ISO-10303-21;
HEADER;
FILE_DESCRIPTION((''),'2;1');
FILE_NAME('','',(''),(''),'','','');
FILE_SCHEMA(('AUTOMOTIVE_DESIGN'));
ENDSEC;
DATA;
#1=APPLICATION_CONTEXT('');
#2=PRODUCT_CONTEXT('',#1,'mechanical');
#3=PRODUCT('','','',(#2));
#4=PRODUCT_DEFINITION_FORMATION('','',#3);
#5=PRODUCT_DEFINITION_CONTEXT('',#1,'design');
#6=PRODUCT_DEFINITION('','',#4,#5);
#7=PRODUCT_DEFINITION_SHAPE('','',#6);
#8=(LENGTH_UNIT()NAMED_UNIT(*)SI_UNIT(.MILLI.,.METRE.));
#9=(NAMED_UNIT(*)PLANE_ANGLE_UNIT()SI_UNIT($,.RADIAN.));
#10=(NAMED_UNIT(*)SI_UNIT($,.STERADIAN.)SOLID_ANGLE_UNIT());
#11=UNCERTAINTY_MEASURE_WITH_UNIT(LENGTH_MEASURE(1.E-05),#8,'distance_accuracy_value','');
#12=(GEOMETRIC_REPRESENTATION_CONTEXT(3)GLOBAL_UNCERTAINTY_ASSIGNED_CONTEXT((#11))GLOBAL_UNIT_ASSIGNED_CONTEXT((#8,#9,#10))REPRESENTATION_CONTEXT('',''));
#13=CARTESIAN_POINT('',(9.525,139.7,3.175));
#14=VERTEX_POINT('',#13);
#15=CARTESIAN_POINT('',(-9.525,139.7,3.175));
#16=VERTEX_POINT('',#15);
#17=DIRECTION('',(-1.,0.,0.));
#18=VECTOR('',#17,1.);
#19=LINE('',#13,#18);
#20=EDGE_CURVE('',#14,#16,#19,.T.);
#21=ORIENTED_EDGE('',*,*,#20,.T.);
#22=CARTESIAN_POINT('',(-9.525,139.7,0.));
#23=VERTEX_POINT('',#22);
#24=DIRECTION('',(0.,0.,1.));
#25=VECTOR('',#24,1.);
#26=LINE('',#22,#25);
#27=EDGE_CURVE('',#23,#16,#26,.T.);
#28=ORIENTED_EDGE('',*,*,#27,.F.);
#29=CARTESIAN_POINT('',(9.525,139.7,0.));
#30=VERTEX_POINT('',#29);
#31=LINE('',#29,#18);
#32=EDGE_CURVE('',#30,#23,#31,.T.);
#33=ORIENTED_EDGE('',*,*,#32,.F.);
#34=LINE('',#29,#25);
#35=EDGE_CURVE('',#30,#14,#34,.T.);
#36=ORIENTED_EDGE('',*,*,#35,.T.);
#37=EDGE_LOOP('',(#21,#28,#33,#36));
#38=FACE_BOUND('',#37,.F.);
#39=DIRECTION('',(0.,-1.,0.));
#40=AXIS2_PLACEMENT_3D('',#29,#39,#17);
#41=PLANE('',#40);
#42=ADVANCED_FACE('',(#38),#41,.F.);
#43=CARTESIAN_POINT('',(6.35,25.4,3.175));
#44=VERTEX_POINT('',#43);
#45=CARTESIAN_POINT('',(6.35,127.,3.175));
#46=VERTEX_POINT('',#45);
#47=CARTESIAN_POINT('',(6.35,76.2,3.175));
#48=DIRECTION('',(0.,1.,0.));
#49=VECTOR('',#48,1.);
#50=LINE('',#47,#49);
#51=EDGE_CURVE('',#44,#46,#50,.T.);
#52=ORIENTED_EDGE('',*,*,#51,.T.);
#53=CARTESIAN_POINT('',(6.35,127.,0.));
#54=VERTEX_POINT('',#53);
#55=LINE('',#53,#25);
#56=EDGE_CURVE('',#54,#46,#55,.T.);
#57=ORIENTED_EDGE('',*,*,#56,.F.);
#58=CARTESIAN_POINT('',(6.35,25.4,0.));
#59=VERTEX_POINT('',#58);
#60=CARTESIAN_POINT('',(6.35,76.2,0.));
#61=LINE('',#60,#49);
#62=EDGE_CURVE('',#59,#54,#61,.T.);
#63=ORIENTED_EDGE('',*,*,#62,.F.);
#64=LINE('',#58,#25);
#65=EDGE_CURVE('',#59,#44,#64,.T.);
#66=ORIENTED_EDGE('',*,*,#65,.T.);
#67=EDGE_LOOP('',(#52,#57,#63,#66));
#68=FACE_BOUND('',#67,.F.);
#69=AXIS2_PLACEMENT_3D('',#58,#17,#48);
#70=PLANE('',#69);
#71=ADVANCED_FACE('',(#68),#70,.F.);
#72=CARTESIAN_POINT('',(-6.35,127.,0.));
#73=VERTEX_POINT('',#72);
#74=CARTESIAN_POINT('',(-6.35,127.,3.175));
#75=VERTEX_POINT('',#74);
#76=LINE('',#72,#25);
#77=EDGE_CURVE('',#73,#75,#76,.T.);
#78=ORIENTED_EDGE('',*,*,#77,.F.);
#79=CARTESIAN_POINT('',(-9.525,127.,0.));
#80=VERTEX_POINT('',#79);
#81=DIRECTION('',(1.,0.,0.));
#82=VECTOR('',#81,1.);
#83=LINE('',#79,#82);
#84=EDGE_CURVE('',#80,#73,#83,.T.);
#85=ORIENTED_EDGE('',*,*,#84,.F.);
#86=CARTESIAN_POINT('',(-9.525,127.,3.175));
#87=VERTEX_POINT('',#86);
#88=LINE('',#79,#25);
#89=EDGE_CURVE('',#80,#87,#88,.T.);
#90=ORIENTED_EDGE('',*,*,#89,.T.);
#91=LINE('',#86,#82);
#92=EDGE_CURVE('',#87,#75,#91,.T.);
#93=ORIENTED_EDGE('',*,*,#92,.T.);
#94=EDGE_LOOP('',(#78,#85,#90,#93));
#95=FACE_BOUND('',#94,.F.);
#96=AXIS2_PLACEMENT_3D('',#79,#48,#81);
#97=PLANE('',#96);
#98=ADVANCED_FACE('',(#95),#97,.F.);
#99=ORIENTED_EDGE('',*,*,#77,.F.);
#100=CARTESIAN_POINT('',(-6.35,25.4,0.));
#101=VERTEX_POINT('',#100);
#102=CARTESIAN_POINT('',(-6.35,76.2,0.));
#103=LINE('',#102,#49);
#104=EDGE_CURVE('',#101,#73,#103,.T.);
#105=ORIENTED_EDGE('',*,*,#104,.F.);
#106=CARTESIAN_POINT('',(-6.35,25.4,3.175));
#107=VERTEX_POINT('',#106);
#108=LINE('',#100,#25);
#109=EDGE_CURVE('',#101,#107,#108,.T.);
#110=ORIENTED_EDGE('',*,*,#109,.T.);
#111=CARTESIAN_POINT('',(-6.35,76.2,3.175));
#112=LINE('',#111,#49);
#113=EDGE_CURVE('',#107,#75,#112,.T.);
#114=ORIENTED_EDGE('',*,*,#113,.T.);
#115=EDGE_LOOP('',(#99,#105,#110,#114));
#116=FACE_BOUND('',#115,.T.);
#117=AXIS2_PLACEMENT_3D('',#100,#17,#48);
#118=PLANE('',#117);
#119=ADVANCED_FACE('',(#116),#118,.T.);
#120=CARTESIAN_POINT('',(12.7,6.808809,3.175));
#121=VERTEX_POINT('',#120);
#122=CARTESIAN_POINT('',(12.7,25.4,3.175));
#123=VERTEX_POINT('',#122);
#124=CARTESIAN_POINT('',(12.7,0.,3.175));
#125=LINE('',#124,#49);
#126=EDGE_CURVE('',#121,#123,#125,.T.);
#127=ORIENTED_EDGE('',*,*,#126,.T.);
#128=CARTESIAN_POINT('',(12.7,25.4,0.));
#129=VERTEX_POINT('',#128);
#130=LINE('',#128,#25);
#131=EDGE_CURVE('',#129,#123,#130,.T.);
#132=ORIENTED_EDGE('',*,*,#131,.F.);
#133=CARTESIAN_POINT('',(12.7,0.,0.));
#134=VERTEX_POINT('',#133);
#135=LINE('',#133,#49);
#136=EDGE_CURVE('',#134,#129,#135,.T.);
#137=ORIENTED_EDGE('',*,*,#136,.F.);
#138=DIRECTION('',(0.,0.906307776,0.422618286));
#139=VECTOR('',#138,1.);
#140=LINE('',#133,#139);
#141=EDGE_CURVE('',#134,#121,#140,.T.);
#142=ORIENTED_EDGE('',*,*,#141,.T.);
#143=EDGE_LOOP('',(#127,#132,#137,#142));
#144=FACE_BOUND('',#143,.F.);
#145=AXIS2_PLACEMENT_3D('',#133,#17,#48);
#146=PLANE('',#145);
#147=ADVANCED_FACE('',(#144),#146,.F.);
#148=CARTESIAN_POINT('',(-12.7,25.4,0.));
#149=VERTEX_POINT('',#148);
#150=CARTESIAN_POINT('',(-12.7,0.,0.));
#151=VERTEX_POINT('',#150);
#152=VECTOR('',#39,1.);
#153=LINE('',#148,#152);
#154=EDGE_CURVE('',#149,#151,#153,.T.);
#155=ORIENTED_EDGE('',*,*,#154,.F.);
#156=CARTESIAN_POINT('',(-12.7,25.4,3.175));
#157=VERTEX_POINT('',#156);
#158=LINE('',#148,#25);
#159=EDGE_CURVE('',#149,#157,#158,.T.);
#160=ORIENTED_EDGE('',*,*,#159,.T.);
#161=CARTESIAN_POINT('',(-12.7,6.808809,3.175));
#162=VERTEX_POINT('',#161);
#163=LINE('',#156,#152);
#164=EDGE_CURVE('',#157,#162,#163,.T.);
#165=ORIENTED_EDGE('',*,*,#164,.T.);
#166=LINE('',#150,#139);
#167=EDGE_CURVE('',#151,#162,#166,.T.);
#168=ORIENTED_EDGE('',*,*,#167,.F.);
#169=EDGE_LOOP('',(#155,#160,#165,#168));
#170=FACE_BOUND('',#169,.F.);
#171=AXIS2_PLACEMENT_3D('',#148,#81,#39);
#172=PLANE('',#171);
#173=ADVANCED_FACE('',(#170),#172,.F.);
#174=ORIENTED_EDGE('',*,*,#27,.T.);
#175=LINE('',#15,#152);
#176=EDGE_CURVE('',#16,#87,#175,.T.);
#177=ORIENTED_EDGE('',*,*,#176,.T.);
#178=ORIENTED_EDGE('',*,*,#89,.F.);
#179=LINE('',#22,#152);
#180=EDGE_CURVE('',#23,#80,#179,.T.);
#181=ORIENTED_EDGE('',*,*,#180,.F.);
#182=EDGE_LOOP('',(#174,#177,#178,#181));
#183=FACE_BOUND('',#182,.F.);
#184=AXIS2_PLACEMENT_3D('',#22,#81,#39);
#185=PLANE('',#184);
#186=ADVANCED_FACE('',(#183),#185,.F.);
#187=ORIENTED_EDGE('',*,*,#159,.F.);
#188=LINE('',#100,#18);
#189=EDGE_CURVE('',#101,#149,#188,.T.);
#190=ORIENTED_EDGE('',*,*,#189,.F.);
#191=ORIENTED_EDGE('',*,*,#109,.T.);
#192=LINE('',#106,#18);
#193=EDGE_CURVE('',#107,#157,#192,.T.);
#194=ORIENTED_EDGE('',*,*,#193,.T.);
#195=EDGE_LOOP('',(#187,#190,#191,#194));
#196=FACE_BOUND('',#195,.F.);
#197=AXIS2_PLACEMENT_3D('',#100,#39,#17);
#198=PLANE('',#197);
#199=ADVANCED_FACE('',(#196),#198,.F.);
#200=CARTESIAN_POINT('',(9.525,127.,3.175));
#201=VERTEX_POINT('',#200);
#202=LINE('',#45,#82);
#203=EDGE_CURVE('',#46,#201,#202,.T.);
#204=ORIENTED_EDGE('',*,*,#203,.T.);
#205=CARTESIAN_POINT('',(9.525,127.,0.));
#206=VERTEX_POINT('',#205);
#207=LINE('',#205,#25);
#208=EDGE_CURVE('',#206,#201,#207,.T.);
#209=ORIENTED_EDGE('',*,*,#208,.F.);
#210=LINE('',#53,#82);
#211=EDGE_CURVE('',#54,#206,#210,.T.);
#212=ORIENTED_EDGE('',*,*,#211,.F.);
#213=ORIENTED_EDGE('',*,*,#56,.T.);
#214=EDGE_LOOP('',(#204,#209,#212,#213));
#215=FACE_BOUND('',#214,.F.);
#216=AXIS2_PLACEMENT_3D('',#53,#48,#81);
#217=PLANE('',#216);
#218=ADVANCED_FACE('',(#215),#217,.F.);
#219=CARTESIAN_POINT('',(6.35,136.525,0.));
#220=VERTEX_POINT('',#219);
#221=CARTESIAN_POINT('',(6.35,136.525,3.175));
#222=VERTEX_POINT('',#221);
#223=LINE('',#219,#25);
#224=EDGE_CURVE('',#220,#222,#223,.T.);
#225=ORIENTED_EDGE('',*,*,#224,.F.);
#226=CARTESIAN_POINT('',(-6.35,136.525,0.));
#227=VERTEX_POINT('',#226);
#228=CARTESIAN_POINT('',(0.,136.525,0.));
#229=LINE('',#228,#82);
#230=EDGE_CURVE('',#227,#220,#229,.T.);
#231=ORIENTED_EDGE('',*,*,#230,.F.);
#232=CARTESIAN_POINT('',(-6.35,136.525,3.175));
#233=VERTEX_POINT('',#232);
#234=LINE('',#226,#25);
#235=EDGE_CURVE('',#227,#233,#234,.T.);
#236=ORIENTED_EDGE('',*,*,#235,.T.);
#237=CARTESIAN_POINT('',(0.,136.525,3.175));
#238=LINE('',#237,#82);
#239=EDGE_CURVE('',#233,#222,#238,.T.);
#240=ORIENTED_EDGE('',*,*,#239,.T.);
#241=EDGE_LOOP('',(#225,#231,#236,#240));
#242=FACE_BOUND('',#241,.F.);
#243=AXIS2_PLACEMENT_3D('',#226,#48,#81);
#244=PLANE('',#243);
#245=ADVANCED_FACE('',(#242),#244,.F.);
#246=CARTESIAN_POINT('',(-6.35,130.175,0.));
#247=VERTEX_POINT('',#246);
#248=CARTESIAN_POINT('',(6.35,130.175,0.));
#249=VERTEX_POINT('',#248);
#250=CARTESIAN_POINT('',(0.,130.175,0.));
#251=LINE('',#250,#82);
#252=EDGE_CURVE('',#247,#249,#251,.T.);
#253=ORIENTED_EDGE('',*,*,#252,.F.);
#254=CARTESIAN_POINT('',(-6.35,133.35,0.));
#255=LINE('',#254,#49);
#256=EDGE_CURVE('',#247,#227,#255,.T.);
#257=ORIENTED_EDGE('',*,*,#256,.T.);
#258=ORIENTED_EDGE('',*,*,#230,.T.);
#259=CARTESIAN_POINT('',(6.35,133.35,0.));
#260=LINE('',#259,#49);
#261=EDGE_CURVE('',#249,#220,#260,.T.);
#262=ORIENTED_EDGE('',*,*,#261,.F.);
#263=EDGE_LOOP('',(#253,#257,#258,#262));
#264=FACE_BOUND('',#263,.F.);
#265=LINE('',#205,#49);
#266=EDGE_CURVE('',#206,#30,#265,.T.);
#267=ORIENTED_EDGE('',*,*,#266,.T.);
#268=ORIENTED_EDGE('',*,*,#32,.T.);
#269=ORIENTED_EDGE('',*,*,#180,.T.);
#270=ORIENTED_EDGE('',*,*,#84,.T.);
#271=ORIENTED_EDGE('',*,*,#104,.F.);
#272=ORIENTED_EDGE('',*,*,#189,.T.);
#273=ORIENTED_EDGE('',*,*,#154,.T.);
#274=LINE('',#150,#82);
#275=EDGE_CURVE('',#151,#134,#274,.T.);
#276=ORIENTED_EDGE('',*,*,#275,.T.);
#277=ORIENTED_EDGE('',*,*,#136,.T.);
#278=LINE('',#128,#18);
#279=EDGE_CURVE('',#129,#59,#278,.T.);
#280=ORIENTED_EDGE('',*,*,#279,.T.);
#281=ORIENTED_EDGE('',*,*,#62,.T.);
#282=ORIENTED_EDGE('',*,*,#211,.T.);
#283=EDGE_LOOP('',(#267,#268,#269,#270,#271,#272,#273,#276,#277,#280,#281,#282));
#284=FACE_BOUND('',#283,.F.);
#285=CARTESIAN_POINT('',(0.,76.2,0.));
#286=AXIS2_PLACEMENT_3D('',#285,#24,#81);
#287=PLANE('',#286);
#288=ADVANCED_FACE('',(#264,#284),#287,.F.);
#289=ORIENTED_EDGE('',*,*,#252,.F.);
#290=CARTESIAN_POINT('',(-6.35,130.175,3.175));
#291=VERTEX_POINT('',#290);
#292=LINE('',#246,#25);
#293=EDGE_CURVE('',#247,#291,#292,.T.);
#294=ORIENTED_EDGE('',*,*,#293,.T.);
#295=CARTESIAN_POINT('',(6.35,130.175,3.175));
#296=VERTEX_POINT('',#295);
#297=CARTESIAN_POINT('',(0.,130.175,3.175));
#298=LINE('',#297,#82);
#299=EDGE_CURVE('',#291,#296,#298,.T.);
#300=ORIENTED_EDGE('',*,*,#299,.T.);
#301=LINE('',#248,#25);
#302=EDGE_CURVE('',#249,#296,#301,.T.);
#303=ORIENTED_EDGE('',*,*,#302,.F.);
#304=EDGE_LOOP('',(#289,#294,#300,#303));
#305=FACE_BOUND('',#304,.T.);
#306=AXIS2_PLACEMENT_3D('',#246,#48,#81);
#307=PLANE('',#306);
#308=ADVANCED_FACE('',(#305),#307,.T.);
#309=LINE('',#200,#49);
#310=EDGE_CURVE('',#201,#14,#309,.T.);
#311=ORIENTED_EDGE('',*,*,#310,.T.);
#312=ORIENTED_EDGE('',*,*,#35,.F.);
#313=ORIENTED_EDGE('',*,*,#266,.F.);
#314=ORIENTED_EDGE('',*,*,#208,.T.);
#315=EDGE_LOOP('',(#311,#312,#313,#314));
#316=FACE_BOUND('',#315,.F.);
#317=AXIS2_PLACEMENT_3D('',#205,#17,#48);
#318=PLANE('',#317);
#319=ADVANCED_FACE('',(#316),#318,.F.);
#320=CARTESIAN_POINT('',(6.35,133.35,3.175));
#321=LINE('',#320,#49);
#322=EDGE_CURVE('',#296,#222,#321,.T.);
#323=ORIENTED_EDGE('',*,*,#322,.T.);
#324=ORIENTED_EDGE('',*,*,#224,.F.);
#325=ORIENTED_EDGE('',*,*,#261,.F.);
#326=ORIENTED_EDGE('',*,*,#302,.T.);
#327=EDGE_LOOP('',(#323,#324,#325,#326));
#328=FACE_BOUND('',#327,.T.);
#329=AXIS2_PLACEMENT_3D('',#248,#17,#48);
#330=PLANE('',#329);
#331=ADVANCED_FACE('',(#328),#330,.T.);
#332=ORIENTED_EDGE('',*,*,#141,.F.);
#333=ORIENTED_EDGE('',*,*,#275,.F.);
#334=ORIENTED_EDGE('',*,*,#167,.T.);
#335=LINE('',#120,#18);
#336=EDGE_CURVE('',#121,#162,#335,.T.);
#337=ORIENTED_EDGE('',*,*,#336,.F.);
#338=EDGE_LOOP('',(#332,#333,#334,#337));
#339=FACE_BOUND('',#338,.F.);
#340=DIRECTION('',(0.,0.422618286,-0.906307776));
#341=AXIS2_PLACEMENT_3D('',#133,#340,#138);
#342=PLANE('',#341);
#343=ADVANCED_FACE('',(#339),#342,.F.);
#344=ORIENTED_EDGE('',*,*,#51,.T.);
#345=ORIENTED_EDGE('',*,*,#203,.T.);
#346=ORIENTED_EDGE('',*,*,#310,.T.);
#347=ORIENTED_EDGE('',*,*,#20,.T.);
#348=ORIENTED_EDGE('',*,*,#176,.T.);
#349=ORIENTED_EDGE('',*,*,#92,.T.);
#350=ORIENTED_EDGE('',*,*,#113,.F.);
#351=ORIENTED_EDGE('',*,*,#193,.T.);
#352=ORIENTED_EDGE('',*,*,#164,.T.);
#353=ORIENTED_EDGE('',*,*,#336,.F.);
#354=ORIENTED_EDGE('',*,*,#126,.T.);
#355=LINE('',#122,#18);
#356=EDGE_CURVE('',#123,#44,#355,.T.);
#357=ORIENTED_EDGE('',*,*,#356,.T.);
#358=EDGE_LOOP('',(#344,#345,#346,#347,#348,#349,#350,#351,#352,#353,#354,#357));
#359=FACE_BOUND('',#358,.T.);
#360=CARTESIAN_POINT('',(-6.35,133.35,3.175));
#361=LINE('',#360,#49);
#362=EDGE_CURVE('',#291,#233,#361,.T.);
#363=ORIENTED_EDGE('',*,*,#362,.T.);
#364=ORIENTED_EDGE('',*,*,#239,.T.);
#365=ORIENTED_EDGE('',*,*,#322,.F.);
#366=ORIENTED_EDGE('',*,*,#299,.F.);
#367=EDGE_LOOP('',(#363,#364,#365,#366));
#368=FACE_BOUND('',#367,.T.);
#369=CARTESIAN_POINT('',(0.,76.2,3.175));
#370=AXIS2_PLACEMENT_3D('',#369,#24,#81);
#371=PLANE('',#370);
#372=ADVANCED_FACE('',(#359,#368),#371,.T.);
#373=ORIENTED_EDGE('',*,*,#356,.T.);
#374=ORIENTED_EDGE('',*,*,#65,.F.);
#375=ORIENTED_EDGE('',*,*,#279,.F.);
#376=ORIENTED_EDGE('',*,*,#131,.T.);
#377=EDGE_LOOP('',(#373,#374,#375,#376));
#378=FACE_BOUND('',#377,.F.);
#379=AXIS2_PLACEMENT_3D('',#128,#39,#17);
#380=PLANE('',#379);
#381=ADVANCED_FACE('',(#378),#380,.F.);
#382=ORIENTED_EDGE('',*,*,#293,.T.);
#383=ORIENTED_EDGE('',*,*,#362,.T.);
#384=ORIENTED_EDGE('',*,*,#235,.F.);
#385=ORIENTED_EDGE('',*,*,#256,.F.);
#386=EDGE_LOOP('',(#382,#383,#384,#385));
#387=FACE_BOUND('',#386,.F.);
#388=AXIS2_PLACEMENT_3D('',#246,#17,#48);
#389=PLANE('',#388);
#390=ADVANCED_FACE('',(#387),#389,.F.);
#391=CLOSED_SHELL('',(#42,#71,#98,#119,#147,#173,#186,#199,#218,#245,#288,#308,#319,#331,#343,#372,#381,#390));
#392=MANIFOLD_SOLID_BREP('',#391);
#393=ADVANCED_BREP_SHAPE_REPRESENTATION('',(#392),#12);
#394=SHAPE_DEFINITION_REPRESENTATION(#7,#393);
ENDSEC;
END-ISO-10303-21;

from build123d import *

# Parameters (mm, degrees)
F0_W     = 12.7
F0_H     = 101.6
F0_H_2   = 6.35
F1_DEPTH = 3.175
F3_DEPTH = 25.4


with BuildPart() as f1:
    # F0 (on Top) → F1 (new body)
    with BuildSketch(Plane.XY):
        with Locations((0, 76.2)):
            Rectangle(F0_W, F0_H)
        Polygon((-9.525, 127), (-6.35, 127), (6.35, 127), (9.525, 127), (9.525, 139.7), (-9.525, 139.7), align=None)
        with Locations((0, 133.35)):
            Rectangle(F0_W, F0_H_2, mode=Mode.SUBTRACT)
        Polygon((-12.7, 25.4), (-12.7, 0), (12.7, 0), (12.7, 25.4), (6.35, 25.4), (-6.35, 25.4), align=None)
    extrude(amount=F1_DEPTH)

    # F2 (on face) → F3 (cut)
    with BuildSketch(Plane.YZ.offset(12.7)):
        Polygon((0, 3.175), (0, 0), (6.808809, 3.175), align=None)
    extrude(amount=-F3_DEPTH, mode=Mode.SUBTRACT)


solid = f1.part
